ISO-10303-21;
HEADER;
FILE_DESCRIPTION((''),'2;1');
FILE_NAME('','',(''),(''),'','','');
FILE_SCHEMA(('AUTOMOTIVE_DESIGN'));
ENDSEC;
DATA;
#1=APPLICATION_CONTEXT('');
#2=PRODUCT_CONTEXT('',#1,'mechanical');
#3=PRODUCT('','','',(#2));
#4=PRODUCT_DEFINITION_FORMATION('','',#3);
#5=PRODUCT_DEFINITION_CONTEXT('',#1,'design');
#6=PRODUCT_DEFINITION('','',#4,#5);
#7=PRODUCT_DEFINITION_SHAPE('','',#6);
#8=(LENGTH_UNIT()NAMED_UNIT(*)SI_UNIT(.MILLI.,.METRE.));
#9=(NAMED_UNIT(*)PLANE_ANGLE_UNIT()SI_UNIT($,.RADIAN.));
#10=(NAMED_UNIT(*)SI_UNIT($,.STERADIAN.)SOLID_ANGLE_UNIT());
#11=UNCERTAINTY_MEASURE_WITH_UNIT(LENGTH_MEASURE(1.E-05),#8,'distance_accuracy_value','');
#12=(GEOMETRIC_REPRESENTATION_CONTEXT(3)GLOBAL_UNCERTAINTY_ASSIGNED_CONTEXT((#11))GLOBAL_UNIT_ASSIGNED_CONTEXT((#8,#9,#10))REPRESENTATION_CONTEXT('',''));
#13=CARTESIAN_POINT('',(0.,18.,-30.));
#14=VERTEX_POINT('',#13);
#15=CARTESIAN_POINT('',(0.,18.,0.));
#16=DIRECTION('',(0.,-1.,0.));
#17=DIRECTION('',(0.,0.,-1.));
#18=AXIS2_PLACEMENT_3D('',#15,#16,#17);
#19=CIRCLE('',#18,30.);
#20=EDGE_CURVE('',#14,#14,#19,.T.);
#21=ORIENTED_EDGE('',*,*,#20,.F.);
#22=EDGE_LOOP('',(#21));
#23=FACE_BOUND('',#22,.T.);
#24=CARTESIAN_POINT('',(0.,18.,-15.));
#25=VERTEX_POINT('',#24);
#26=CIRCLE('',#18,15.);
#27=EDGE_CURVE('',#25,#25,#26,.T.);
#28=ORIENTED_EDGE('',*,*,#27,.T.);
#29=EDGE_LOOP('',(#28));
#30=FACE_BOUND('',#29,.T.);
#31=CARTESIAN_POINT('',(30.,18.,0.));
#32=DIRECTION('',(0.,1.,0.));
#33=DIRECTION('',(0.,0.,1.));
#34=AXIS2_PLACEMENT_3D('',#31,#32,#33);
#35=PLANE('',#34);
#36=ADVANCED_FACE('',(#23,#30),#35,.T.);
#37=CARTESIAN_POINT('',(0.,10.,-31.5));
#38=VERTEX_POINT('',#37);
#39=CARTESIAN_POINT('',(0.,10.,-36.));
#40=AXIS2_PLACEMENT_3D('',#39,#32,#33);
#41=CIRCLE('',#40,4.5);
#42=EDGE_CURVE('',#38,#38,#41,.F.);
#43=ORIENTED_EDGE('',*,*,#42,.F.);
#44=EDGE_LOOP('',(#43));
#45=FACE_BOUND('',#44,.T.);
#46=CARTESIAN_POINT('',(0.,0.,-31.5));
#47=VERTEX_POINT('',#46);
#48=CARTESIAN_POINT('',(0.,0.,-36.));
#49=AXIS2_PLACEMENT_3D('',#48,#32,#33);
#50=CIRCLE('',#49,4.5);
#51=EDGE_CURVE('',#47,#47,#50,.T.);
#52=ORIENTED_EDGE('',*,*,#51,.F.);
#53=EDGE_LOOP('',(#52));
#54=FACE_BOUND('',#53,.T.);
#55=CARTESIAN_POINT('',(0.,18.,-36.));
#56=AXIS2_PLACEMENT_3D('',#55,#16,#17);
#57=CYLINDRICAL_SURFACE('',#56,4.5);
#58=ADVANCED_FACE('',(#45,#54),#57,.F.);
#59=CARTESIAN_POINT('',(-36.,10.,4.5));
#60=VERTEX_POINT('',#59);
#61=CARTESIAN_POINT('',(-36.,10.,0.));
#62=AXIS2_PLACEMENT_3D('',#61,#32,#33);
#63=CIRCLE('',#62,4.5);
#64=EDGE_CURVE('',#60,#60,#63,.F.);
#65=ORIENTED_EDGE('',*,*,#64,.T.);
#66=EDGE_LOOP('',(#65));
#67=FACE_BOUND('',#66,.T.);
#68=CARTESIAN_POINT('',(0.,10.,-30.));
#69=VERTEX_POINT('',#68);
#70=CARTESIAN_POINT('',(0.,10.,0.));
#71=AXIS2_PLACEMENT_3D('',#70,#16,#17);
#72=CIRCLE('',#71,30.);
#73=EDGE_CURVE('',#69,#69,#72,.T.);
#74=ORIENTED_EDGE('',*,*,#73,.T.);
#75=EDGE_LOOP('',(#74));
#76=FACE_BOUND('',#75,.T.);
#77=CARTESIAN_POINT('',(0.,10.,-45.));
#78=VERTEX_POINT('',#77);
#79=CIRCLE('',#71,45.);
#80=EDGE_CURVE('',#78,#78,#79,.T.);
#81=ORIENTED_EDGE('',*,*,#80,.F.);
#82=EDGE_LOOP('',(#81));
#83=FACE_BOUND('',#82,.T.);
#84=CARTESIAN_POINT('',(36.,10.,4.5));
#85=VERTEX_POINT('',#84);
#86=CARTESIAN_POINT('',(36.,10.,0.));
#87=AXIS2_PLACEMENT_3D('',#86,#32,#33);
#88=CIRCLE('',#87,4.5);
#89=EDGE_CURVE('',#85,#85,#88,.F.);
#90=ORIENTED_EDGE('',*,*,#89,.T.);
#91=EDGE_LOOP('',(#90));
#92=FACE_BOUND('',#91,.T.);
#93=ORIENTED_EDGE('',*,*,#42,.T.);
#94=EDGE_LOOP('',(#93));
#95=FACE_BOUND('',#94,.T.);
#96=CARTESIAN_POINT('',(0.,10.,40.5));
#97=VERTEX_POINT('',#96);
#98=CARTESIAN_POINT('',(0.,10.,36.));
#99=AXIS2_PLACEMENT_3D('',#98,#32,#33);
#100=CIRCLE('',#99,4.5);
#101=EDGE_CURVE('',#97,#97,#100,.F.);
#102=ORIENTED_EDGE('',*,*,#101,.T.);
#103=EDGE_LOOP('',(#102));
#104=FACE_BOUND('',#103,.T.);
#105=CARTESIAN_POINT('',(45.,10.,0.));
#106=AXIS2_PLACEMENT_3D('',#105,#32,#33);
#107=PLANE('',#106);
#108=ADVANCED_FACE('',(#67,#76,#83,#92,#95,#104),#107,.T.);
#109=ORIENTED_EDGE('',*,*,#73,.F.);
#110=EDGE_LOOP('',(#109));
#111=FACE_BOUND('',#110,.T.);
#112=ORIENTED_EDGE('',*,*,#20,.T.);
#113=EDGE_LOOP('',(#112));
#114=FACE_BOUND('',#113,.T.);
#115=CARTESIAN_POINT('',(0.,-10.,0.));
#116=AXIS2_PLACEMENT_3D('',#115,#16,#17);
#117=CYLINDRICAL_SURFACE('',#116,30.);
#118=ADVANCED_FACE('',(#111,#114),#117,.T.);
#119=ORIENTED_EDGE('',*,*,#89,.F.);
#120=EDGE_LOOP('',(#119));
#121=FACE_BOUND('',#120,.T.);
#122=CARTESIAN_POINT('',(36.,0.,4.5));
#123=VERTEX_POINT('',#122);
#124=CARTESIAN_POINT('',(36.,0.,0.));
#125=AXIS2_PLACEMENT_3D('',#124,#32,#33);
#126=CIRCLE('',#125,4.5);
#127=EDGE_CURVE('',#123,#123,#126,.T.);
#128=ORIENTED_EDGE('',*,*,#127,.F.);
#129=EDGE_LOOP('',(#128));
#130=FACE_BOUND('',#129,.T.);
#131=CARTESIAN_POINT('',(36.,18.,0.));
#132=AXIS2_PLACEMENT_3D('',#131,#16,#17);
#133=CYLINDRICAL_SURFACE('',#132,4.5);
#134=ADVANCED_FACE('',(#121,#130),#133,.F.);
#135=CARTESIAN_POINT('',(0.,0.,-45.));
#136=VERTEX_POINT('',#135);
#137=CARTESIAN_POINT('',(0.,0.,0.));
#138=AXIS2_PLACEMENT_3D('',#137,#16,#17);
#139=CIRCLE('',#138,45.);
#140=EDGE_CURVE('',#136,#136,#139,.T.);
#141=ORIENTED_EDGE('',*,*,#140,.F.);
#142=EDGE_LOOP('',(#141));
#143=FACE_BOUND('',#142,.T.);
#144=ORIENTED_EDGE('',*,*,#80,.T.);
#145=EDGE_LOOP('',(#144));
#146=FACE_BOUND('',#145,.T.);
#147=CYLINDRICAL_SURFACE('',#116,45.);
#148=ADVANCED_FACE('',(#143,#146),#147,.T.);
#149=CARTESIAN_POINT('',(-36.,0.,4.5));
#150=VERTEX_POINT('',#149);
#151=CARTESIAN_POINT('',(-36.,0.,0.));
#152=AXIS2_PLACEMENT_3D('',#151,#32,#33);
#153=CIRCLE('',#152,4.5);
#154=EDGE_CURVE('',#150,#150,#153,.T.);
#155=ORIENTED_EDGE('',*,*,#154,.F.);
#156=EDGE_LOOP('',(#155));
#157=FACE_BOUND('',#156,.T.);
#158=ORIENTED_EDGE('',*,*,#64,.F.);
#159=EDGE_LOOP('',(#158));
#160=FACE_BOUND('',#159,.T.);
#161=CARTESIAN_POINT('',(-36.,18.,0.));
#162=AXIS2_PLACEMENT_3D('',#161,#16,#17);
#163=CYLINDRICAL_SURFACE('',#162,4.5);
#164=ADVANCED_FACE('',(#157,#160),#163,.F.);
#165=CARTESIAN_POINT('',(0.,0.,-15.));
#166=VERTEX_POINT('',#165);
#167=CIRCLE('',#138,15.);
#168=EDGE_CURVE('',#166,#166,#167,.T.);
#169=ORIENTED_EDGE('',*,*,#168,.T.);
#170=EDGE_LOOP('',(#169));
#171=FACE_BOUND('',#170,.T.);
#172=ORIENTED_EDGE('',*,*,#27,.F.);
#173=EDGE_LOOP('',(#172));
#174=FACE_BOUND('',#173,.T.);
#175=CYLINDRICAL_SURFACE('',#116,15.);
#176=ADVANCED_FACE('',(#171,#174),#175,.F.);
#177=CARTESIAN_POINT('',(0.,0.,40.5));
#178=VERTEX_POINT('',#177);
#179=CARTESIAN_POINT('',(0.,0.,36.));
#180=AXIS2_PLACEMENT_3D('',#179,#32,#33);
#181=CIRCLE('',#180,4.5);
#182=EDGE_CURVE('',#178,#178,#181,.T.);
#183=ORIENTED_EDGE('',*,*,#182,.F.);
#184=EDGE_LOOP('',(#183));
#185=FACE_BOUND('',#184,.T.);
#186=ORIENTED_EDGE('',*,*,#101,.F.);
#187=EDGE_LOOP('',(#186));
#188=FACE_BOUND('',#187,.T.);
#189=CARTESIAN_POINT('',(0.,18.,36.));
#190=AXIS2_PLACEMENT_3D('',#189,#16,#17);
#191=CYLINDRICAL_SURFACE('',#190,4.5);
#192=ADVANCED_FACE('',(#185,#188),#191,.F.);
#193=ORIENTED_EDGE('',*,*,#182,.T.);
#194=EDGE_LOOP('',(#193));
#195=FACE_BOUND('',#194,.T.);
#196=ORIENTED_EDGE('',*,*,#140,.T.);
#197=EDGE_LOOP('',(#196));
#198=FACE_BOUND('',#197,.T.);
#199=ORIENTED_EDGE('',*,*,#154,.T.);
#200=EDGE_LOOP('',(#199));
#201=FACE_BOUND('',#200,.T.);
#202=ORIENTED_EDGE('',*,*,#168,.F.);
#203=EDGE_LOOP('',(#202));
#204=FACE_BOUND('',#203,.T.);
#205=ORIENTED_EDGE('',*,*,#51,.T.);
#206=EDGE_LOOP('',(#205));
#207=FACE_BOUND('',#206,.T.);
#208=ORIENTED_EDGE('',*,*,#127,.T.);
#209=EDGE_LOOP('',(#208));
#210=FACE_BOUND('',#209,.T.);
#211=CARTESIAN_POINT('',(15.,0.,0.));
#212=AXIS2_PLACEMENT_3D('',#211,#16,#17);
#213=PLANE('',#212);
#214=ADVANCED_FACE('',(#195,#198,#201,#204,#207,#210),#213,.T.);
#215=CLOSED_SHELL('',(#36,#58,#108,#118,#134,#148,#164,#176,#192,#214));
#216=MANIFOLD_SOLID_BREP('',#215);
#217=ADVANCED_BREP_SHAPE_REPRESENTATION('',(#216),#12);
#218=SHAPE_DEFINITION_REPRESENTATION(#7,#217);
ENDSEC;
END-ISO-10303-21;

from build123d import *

# Parameters (mm, degrees)
SKETCH_2_R          = 4.5
CUT_EXTRUDE_1_DEPTH = 67.136223055


with BuildPart() as part:
    # 草图1 → 旋转1 (revolve)
    with BuildSketch(Plane.XY, mode=Mode.PRIVATE) as revolve_1_sk:
        Polygon((15, 0), (45, 0), (45, 10), (30, 10), (30, 18), (15, 18), align=None)
    revolve(revolve_1_sk.sketch.rotate(Axis((0, -10, 0), (0, 1, 0)), 90), axis=Axis((0, -10, 0), (0, 1, 0)))

    # 草图2 → 切除-拉伸1 (cut, through all)
    with BuildSketch(Plane(origin=(0, 0, 0), x_dir=(1, 0, 0), z_dir=(0, 1, 0))):
        with Locations(Location((36, 0, 0), (0, 0, 270))):
            Circle(SKETCH_2_R)
        with Locations(Location((0, 36, 0), (0, 0, 270))):
            Circle(SKETCH_2_R)
        with Locations(Location((-36, 0, 0), (0, 0, 270))):
            Circle(SKETCH_2_R)
        with Locations(Location((0, -36, 0), (0, 0, 270))):
            Circle(SKETCH_2_R)
    extrude(amount=CUT_EXTRUDE_1_DEPTH, mode=Mode.SUBTRACT)


solid = part.part
